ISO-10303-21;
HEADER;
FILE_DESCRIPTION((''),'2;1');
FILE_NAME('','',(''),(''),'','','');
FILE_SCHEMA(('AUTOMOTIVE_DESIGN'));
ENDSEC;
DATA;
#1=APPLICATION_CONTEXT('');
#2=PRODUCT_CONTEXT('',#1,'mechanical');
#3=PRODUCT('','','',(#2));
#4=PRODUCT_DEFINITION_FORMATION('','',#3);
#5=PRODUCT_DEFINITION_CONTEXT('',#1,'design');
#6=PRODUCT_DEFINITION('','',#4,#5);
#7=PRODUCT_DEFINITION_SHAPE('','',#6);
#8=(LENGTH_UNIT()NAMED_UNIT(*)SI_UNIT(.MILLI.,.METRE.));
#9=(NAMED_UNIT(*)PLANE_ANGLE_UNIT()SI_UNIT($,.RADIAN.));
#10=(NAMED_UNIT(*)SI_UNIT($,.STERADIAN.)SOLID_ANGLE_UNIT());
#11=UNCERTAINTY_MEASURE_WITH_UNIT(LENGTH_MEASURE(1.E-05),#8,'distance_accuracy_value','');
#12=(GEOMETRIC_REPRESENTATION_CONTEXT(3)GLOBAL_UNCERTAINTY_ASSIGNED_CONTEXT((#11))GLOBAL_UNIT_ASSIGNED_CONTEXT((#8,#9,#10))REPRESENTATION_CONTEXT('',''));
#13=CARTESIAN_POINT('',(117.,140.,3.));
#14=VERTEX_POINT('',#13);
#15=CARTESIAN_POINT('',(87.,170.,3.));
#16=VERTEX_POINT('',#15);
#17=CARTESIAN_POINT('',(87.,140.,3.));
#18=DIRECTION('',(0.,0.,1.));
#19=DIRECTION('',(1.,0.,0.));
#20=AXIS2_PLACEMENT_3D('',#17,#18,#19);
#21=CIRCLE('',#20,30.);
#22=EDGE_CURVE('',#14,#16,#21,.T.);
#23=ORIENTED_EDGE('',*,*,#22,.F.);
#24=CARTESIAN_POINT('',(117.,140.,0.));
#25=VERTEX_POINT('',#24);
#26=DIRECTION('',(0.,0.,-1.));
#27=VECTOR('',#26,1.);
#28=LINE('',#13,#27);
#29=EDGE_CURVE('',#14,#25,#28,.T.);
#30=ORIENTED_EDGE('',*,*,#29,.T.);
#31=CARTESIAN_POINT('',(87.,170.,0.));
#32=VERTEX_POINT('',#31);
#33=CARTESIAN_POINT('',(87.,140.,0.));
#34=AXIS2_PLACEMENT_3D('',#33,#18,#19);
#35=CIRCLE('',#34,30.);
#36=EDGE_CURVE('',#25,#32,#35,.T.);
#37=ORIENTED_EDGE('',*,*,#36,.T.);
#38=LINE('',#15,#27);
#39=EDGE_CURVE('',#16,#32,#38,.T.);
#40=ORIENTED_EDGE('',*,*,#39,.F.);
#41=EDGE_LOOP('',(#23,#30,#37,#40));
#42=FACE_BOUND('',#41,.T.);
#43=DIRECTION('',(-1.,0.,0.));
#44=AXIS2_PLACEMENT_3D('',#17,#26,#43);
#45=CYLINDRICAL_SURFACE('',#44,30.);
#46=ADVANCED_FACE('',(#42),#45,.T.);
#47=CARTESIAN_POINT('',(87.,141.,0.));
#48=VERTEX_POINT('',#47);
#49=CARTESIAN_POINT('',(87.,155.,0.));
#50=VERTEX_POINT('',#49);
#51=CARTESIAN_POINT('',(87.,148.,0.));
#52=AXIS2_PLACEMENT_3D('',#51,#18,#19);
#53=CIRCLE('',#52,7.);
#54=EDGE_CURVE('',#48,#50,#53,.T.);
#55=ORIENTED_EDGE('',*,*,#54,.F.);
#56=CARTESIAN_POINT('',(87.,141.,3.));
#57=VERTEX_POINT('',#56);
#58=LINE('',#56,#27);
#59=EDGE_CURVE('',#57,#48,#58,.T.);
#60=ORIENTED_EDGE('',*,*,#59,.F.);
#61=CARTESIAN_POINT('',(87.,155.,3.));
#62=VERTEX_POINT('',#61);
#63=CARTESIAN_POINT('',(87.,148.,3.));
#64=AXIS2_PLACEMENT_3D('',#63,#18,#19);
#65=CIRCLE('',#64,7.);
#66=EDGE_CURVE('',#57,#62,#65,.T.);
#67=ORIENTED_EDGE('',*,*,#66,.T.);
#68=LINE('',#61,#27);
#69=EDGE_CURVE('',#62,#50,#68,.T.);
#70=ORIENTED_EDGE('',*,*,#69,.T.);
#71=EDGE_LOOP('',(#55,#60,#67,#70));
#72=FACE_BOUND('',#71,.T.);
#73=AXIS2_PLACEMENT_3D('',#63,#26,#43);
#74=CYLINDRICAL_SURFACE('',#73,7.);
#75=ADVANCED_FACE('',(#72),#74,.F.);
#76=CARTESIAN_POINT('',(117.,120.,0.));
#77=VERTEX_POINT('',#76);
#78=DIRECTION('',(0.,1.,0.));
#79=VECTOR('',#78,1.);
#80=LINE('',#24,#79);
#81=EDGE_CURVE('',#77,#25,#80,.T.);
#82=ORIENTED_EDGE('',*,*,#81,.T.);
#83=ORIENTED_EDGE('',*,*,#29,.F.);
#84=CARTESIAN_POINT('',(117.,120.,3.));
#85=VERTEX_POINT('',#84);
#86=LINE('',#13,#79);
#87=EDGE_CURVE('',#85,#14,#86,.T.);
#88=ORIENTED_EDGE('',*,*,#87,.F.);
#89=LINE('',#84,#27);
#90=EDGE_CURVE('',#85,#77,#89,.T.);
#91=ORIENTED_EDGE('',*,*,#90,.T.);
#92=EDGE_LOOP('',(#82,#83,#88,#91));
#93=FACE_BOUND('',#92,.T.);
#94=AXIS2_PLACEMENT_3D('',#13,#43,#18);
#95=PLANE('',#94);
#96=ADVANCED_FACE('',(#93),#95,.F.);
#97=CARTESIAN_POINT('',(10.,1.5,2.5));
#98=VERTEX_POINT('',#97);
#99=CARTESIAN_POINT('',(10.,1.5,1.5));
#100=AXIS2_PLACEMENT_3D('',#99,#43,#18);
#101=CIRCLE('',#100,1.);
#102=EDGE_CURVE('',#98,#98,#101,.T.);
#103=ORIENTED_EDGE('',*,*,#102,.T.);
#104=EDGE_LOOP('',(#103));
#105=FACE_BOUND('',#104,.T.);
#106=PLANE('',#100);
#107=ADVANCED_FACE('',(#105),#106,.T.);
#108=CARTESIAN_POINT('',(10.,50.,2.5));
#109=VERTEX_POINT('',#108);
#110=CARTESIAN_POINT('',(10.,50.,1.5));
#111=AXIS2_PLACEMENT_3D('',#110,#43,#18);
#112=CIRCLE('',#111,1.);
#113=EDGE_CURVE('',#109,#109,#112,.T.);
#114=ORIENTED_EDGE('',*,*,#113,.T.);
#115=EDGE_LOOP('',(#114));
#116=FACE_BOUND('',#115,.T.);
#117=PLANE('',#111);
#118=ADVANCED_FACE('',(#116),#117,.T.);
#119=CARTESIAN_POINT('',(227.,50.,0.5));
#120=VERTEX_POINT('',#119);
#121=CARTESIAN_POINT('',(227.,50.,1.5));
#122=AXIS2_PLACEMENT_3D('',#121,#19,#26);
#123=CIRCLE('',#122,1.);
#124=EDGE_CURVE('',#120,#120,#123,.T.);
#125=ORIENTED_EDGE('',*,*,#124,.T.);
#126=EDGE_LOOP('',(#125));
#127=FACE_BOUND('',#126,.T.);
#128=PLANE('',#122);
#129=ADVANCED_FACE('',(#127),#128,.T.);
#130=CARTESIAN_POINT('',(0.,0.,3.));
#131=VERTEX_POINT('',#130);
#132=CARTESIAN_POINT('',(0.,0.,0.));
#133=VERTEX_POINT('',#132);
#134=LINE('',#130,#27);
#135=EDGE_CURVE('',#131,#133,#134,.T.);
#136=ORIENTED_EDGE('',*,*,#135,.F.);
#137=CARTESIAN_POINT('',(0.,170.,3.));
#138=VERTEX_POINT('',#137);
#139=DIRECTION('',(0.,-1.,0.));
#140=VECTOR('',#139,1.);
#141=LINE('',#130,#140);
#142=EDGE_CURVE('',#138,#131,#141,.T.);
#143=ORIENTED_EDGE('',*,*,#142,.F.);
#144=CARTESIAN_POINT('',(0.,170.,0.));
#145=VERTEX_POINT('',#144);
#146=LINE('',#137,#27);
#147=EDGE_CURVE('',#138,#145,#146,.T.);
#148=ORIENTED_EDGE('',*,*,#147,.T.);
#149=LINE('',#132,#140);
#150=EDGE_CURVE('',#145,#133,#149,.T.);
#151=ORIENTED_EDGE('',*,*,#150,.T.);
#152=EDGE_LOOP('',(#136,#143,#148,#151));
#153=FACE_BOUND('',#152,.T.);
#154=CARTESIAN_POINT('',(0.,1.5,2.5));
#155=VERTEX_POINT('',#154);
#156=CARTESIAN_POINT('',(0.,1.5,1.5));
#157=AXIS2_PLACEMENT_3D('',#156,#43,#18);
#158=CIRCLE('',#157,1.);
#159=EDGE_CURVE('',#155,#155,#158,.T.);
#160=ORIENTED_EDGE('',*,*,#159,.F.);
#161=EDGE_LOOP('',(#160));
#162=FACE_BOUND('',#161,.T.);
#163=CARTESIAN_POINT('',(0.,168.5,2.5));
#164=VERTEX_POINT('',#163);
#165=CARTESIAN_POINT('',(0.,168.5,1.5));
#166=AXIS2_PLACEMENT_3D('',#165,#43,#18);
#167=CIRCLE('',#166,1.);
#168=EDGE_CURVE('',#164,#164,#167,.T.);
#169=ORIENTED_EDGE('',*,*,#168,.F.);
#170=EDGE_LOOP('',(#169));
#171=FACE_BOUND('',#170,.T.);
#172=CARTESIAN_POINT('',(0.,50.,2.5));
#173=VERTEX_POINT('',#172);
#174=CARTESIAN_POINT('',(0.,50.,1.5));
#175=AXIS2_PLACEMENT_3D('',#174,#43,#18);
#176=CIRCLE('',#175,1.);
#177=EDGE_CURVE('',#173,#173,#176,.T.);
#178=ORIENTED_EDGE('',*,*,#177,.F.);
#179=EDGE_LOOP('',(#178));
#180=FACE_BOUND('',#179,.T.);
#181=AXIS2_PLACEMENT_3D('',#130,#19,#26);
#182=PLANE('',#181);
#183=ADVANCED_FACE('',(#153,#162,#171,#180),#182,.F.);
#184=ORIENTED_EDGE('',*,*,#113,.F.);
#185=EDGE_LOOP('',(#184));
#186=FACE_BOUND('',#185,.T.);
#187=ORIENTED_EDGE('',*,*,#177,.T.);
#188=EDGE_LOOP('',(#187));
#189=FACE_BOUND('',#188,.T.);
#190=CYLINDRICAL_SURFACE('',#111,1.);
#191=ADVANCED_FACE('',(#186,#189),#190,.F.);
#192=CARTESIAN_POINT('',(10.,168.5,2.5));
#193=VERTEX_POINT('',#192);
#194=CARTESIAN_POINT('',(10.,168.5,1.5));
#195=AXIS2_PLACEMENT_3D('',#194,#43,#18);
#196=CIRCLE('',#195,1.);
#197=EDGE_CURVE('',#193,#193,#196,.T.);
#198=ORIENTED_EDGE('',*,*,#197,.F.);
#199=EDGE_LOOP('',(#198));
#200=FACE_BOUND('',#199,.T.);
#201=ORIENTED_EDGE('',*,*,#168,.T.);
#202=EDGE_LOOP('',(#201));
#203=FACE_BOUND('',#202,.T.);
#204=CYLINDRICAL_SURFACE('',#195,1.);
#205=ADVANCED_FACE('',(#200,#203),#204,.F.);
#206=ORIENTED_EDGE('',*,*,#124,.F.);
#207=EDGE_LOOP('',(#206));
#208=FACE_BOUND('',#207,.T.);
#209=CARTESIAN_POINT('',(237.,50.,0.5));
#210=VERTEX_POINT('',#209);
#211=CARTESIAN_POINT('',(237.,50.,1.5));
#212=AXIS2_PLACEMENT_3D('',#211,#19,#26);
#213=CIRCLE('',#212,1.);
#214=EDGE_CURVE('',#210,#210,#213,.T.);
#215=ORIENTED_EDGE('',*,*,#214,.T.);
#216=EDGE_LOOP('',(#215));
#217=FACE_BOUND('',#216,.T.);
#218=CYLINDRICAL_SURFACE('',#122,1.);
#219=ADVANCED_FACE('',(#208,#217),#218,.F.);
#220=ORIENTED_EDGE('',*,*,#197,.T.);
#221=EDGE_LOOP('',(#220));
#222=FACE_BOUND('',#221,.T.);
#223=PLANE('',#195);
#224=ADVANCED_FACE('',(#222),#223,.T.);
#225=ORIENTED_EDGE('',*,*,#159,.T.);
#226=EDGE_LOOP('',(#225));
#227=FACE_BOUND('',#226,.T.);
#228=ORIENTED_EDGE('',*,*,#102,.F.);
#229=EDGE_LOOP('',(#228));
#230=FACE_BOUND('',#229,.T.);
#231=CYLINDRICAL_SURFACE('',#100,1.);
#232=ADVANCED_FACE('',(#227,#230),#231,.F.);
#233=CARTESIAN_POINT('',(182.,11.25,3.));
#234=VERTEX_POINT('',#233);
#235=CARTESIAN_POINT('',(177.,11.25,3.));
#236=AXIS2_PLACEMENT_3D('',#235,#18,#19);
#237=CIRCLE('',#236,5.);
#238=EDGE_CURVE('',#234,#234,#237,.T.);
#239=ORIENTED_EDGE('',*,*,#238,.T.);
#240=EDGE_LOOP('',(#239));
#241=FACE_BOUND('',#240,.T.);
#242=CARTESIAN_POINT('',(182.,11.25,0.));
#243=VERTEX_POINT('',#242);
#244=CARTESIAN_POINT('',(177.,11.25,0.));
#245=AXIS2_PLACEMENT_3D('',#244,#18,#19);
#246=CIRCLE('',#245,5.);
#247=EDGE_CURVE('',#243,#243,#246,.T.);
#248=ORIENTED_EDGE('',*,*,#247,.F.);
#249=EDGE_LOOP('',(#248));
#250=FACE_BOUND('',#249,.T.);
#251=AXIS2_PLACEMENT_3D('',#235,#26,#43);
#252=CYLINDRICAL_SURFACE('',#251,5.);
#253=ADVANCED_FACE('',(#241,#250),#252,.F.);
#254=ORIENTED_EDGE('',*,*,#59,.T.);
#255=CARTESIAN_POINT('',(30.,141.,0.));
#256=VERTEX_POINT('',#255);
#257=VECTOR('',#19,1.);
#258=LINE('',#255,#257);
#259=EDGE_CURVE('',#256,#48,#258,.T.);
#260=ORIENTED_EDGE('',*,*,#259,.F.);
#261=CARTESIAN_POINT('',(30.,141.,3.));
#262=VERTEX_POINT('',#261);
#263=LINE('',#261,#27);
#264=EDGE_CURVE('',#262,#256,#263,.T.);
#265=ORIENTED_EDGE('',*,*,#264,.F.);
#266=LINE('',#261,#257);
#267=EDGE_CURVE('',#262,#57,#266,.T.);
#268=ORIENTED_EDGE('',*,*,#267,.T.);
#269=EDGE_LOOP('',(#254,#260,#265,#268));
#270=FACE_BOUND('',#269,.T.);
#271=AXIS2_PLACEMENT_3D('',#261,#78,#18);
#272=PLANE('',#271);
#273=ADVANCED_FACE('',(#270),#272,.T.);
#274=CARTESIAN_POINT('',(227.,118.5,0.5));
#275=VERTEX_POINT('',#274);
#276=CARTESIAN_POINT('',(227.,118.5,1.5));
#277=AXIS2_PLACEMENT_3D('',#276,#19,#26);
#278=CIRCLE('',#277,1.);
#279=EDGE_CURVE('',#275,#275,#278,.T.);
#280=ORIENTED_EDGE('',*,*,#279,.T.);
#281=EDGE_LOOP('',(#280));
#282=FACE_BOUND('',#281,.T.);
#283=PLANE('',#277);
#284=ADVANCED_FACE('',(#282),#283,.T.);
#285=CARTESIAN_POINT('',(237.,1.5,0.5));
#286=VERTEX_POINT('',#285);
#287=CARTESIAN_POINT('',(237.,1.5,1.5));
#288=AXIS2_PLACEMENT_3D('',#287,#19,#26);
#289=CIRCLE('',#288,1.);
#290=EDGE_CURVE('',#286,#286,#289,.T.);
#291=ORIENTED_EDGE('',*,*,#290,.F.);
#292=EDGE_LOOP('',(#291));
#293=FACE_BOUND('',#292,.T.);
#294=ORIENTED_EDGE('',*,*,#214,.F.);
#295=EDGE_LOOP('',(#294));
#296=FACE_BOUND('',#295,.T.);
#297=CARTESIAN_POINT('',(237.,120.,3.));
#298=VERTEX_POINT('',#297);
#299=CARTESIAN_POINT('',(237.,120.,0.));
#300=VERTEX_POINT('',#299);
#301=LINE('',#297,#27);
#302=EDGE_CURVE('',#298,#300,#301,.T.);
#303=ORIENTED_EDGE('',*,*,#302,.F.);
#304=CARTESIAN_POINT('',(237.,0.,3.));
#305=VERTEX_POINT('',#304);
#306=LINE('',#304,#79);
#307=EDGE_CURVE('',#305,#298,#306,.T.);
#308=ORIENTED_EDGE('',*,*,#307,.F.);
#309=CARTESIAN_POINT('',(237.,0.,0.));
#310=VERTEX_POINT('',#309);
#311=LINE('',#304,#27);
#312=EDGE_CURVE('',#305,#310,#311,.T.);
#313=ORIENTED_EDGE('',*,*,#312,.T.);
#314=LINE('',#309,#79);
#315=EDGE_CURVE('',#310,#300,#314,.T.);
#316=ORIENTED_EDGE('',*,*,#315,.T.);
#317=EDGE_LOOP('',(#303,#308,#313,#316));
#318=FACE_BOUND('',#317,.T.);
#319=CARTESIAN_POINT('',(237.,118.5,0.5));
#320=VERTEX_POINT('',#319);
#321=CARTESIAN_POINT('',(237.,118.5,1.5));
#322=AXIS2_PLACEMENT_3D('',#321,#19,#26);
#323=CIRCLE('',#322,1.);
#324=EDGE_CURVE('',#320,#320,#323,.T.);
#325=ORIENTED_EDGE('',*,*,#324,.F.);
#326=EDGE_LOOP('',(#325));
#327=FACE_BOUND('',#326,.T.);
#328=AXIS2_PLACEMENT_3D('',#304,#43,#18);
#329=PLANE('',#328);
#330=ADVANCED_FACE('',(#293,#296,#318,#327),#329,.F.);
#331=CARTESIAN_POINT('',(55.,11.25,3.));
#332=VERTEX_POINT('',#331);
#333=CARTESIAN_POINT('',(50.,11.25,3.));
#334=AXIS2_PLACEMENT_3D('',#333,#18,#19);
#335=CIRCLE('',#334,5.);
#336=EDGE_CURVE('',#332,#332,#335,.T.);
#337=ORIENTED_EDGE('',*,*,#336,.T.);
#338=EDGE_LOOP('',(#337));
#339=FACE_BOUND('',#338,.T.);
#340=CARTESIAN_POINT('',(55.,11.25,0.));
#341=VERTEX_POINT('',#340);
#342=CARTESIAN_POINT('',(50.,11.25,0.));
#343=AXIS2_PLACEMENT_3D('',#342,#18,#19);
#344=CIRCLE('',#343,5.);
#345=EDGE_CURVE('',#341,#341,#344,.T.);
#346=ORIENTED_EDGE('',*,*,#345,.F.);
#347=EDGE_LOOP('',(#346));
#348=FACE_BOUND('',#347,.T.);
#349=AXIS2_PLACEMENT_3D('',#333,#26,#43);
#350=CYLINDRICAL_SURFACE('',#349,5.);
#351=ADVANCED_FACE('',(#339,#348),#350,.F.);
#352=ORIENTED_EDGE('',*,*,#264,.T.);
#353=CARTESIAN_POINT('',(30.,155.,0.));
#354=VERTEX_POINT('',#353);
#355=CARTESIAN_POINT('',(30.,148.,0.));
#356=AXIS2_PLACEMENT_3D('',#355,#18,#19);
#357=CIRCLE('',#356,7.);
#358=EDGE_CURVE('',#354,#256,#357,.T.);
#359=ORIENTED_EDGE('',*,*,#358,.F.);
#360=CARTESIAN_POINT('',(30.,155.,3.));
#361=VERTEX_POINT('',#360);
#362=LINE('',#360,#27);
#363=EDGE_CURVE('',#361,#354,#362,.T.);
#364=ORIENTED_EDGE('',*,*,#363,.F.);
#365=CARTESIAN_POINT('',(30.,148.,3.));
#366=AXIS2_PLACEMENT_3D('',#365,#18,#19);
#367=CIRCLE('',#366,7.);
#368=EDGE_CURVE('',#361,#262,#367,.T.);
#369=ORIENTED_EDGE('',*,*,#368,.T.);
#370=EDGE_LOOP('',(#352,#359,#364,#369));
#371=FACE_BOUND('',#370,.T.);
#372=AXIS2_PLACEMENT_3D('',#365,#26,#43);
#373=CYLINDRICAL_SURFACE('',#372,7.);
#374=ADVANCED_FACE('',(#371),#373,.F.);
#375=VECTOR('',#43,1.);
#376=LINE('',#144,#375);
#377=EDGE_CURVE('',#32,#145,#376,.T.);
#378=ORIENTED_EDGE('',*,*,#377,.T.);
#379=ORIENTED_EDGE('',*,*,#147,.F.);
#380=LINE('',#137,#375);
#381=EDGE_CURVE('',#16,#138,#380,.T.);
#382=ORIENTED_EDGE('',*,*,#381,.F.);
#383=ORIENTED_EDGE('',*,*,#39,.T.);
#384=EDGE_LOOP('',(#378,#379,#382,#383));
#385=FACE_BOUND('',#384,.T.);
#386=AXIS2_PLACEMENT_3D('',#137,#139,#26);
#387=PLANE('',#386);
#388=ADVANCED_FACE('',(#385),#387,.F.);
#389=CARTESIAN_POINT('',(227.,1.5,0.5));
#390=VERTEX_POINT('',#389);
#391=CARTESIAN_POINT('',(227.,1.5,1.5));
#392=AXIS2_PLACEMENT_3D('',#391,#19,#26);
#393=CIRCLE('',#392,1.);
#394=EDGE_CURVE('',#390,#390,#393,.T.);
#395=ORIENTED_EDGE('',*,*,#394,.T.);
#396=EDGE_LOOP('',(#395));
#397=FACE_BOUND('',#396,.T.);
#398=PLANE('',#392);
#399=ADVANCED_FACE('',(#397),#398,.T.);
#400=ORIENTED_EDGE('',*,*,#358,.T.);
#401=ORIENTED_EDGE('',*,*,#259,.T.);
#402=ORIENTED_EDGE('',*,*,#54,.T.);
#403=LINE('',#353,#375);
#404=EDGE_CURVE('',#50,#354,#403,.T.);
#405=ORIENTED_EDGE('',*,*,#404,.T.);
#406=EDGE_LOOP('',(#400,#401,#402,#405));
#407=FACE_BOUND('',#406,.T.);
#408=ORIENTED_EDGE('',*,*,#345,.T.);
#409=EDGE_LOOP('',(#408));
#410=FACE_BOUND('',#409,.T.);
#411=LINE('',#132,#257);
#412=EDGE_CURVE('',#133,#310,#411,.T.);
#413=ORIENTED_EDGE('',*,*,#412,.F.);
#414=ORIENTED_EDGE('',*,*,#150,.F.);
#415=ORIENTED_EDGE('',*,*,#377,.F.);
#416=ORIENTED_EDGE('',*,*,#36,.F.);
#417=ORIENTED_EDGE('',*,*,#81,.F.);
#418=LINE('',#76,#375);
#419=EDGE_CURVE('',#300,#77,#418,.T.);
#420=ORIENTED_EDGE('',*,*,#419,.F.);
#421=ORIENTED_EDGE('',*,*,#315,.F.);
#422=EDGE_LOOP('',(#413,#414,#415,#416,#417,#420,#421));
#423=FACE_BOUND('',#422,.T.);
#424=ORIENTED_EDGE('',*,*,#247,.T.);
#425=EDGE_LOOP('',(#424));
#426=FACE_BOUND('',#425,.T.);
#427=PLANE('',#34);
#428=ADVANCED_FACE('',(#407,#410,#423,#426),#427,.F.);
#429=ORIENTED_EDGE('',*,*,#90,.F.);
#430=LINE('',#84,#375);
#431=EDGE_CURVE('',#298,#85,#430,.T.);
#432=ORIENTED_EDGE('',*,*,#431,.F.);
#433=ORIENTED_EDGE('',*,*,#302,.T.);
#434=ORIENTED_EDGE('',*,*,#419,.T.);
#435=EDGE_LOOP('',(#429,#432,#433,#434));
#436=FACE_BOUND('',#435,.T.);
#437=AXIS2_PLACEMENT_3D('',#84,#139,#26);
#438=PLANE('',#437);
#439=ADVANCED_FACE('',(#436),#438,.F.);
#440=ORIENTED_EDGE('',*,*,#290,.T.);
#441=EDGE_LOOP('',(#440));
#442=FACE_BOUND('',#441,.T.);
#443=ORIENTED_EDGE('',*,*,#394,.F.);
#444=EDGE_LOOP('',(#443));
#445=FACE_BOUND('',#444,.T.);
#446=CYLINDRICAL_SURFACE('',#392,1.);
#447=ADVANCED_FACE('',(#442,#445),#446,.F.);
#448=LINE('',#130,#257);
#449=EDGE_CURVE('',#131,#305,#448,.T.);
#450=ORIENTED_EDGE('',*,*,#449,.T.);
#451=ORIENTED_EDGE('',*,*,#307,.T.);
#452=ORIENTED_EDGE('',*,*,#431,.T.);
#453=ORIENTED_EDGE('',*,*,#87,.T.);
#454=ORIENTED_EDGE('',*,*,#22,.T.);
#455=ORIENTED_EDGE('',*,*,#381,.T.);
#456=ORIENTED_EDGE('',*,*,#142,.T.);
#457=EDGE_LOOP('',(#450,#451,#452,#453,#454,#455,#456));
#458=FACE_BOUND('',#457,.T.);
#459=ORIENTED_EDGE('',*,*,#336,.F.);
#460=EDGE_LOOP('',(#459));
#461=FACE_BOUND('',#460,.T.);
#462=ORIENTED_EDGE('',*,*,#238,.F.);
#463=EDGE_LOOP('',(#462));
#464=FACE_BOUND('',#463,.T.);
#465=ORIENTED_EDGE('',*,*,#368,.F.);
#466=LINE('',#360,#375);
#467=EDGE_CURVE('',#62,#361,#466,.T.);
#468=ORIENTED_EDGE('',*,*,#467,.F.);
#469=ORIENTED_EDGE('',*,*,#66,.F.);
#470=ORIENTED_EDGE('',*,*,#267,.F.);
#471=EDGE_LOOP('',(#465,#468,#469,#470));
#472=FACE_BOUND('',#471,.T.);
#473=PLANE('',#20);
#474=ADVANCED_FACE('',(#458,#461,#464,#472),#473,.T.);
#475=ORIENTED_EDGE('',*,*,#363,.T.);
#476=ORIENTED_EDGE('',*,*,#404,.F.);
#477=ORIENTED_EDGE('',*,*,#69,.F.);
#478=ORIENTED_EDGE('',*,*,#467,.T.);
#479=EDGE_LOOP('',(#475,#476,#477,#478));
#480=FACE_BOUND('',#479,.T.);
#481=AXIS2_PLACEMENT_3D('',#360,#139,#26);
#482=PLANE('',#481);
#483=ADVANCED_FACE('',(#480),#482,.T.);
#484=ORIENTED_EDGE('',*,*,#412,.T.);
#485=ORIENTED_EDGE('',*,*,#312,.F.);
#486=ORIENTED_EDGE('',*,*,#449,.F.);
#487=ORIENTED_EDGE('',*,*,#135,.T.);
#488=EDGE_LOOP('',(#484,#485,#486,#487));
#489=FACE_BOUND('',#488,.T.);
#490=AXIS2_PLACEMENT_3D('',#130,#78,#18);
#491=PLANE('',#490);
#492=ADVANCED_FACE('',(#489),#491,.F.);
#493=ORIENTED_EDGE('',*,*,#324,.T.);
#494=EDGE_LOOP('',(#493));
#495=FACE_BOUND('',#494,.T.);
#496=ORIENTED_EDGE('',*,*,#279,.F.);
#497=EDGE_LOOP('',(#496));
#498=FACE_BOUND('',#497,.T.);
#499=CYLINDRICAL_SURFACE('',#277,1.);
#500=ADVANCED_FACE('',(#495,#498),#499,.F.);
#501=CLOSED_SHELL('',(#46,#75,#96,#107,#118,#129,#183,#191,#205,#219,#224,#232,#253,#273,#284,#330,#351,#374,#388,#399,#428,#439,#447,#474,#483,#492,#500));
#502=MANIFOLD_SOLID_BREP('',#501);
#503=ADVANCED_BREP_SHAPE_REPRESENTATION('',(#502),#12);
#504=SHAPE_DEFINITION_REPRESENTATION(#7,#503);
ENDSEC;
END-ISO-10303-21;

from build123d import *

# Parameters (mm, degrees)
SKETCH2_R           = 5
BOSS_EXTRUDE1_DEPTH = 3
SKETCH3_R           = 1
CUT_EXTRUDE1_DEPTH  = 10
SKETCH5_R           = 1
CUT_EXTRUDE2_DEPTH  = 10
CUT_EXTRUDE3_START  = -10
SKETCH6_R           = 1
CUT_EXTRUDE3_DEPTH  = 10


with BuildPart() as part:
    # Sketch2 → Boss-Extrude1 (new body)
    with BuildSketch(Plane.XY):
        with BuildLine():
            Line((117, 140), (117, 120))
            Line((117, 120), (237, 120))
            Line((237, 120), (237, 0))
            Line((237, 0), (0, 0))
            Line((0, 0), (0, 170))
            Line((0, 170), (87, 170))
            ThreePointArc((87, 170), (108.213203436, 161.213203436), (117, 140))
        make_face()
        with Locations((50, 11.25)):
            Circle(SKETCH2_R, mode=Mode.SUBTRACT)
        with Locations((177, 11.25)):
            Circle(SKETCH2_R, mode=Mode.SUBTRACT)
        with BuildLine():
            Line((30, 155), (87, 155))
            ThreePointArc((87, 155), (94, 148), (87, 141))
            Line((87, 141), (30, 141))
            ThreePointArc((30, 141), (23, 148), (30, 155))
        make_face(mode=Mode.SUBTRACT)
    extrude(amount=BOSS_EXTRUDE1_DEPTH)

    # Sketch3 → Cut-Extrude1 (cut)
    with BuildSketch(Plane.ZY):
        with Locations((1.5, 168.5)):
            Circle(SKETCH3_R)
        with Locations((1.5, 1.5)):
            Circle(SKETCH3_R)
    extrude(amount=-CUT_EXTRUDE1_DEPTH, mode=Mode.SUBTRACT)

    # Sketch5 → Cut-Extrude2 (cut)
    with BuildSketch(Plane.ZY):
        with Locations((1.5, 50)):
            Circle(SKETCH5_R)
    extrude(amount=-CUT_EXTRUDE2_DEPTH, mode=Mode.SUBTRACT)

    # Sketch6 → Cut-Extrude3 (cut)
    with BuildSketch(Plane(origin=(237, 0, 0), x_dir=(0, 0, -1), z_dir=(1, 0, 0)).offset(CUT_EXTRUDE3_START)):
        with Locations((-1.5, 118.5)):
            Circle(SKETCH6_R)
        with Locations((-1.5, 1.5)):
            Circle(SKETCH6_R)
        with Locations((-1.5, 50)):
            Circle(SKETCH6_R)
    extrude(amount=CUT_EXTRUDE3_DEPTH, mode=Mode.SUBTRACT)


solid = part.part
